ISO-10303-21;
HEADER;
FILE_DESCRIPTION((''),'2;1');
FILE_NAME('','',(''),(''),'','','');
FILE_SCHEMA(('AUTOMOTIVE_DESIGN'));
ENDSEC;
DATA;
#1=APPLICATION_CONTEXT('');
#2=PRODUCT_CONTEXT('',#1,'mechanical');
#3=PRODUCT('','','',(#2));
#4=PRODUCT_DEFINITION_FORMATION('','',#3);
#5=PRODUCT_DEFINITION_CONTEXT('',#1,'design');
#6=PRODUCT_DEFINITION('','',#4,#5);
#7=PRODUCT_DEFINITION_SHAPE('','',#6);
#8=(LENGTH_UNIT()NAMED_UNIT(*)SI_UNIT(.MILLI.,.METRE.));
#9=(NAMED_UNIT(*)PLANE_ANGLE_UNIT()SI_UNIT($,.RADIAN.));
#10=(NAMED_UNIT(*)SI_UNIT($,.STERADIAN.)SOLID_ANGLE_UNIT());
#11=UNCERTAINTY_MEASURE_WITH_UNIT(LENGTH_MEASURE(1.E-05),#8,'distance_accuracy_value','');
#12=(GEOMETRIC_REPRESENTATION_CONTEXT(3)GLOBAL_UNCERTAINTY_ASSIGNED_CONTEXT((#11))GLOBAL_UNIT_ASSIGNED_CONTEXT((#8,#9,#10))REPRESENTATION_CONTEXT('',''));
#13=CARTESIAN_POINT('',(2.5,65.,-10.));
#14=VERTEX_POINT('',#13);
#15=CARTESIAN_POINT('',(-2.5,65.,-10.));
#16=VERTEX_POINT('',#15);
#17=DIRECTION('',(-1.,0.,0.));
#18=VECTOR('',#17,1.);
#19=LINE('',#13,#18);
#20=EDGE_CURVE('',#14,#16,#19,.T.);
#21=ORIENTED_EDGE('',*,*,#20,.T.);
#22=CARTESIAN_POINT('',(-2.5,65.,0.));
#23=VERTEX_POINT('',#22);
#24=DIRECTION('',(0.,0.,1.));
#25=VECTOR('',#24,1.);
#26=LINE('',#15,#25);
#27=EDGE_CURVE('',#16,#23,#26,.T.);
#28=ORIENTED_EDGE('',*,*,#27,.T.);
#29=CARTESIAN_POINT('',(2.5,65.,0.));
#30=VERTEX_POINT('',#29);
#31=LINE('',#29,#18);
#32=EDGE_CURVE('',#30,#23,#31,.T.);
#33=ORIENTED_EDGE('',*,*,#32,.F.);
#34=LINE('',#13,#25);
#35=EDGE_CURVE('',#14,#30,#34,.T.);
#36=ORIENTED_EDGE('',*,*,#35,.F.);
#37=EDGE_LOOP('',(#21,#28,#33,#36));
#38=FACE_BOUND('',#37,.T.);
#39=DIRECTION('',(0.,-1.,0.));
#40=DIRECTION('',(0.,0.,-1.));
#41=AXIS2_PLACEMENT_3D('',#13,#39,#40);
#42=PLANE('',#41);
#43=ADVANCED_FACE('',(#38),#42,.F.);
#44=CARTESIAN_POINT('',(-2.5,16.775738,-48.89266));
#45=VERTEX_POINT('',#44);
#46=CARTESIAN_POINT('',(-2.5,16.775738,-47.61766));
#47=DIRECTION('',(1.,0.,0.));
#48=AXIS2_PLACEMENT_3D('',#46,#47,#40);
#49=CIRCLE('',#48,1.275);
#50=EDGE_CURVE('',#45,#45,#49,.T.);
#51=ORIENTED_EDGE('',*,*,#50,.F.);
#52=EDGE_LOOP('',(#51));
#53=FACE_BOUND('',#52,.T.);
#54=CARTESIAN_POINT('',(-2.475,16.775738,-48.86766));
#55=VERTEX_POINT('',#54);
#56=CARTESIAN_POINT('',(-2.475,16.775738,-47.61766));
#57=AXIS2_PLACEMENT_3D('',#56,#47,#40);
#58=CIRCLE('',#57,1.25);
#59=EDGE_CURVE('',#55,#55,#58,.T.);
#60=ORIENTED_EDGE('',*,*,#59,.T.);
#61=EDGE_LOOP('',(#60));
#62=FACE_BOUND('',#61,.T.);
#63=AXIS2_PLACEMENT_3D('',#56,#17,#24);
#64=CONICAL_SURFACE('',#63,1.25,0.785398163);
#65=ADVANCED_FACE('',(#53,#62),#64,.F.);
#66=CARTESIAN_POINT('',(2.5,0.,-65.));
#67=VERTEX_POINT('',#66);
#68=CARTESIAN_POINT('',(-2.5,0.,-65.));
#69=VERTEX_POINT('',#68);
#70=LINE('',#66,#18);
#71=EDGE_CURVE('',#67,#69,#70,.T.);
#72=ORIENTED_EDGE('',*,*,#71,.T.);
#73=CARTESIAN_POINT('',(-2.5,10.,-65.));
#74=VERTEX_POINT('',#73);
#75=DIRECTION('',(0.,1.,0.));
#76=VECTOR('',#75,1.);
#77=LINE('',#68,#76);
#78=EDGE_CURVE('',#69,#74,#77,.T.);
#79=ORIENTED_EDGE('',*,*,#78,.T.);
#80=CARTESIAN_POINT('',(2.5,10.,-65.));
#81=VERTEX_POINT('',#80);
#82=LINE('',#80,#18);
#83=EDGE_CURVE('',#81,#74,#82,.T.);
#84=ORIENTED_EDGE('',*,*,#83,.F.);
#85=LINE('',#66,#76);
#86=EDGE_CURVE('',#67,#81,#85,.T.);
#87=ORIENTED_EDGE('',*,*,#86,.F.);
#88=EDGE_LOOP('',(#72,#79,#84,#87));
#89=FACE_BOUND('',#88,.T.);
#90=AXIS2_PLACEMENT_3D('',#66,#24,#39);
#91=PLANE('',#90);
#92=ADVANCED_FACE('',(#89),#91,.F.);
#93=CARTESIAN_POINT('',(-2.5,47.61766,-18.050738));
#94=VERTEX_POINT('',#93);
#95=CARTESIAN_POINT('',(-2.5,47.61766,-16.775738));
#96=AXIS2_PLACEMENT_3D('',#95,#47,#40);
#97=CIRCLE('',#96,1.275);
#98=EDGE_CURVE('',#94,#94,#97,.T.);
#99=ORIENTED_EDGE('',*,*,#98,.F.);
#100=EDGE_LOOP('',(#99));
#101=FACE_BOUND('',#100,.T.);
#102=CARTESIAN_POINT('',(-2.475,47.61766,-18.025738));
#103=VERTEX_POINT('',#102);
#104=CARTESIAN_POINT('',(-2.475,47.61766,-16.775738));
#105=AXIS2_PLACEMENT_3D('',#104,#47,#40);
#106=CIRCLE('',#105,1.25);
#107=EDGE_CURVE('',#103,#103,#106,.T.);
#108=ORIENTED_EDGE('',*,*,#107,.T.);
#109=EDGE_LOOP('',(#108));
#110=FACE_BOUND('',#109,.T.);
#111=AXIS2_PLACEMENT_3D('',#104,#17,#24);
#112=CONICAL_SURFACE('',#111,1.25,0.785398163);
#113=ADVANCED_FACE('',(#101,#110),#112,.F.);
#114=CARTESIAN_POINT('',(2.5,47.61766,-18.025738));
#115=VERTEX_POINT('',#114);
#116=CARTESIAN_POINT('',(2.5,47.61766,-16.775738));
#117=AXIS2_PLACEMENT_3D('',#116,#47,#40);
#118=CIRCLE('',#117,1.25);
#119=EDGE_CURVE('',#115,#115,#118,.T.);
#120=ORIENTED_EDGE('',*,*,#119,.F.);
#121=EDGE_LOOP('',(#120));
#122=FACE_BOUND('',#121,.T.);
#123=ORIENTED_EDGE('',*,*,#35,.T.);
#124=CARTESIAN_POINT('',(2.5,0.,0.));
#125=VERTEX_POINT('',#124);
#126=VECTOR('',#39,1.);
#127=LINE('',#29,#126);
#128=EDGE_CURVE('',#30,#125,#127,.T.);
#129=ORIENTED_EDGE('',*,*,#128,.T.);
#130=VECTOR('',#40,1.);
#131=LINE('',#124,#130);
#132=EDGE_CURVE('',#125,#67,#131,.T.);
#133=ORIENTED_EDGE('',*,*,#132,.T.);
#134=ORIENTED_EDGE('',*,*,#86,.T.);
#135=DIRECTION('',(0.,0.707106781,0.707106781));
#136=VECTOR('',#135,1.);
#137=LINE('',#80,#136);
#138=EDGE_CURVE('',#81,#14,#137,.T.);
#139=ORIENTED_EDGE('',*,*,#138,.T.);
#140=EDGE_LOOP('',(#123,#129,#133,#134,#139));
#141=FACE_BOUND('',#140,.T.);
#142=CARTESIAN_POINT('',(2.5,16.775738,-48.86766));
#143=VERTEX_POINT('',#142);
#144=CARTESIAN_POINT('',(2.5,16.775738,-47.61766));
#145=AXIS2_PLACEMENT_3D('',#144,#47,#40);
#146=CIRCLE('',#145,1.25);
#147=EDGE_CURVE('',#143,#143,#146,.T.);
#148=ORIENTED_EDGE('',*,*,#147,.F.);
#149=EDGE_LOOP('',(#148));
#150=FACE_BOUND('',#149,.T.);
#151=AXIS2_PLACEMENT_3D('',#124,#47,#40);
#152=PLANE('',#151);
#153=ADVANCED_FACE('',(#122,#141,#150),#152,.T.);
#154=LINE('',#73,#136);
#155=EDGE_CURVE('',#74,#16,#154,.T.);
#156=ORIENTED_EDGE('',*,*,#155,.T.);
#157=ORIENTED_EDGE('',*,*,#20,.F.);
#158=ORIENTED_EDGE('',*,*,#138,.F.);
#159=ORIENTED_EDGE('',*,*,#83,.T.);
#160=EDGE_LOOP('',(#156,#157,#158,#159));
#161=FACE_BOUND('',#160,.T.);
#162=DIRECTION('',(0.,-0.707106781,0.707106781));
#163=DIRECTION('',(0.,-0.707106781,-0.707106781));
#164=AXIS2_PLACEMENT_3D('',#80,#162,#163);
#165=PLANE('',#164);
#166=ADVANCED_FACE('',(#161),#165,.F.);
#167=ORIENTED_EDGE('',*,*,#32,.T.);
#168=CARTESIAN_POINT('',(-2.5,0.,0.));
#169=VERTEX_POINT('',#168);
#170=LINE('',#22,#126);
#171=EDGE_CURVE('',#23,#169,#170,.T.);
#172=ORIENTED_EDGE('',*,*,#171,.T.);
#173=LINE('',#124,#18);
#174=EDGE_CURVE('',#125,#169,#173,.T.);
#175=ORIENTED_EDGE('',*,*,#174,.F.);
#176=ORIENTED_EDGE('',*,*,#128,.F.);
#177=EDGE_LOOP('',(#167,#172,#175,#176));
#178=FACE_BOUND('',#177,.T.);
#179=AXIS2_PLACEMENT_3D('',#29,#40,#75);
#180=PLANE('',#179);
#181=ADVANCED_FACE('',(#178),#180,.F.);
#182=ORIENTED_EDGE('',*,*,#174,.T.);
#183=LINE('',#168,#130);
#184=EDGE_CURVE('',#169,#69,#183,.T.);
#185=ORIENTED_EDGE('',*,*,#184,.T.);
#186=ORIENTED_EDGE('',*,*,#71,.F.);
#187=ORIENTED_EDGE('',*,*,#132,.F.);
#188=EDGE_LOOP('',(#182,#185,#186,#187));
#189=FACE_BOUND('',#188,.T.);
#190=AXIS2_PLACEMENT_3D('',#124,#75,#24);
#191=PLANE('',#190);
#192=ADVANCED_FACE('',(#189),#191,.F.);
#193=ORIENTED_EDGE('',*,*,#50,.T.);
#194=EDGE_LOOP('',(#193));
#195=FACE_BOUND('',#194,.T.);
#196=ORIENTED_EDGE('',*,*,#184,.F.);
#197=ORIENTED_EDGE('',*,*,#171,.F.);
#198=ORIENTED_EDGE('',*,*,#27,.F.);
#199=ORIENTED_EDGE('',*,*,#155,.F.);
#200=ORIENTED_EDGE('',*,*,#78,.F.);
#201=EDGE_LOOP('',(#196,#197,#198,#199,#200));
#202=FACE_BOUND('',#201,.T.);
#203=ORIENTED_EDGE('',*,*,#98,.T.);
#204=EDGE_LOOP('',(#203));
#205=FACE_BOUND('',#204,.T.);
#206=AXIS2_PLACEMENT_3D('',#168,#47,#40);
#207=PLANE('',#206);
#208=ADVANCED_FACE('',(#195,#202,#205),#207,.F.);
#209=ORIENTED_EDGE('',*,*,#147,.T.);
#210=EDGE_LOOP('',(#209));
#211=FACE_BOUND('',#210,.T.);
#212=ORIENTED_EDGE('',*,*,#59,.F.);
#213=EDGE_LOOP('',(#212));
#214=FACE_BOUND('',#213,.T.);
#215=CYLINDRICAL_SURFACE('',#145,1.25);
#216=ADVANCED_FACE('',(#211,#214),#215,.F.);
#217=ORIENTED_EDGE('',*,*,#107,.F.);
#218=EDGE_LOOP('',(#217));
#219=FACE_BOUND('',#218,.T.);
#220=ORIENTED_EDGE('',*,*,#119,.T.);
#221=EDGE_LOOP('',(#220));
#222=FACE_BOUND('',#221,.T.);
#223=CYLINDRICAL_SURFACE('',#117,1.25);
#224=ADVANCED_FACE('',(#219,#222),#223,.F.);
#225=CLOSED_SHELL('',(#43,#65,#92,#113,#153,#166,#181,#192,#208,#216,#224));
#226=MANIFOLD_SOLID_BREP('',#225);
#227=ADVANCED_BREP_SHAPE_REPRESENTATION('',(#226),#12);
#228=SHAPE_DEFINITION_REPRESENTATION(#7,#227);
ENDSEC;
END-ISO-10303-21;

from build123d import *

# Parameters (mm, degrees)
BOSS_EXTRUDE1_DEPTH            = 2.5
F_2_5MM_DOWEL_HOLE1_AT_2_COUNT = 2
F_2_5MM_DOWEL_HOLE1_AT_2_PITCH = 43.617065155


with BuildPart() as part:
    # Sketch1 → Boss-Extrude1 (new, symmetric)
    with BuildSketch(Plane(origin=(0, 0, 0), x_dir=(0, 0, -1), z_dir=(1, 0, 0))):
        Polygon((0, 65), (0, 0), (65, 0), (65, 10), (10, 65), align=None)
    extrude(amount=BOSS_EXTRUDE1_DEPTH, both=True)

    # Sketch3 → Ø2.5mm Dowel Hole1 (revolve, cut)
    with BuildSketch(Plane(origin=(2.5, 47.617660414, -16.775737868), x_dir=(0, 0, -1), z_dir=(0, 1, 0))):
        Polygon((0, 0), (0, 5), (1.275, 5), (1.25, 4.975), (1.25, 0), align=None)
    f_2_5mm_dowel_hole1 = revolve(axis=Axis((8.85, 47.617660414, -16.775737868), (-1, 0, 0)), mode=Mode.SUBTRACT)

    # Ø2.5mm Dowel Hole1 at 2: Ø2.5mm Dowel Hole1 ×2
    with Locations(*[Vector(0, -0.7071067811865474, -0.7071067811865477) * (i * F_2_5MM_DOWEL_HOLE1_AT_2_PITCH) for i in range(1, F_2_5MM_DOWEL_HOLE1_AT_2_COUNT)]):
        add(f_2_5mm_dowel_hole1, mode=Mode.SUBTRACT)


solid = part.part
